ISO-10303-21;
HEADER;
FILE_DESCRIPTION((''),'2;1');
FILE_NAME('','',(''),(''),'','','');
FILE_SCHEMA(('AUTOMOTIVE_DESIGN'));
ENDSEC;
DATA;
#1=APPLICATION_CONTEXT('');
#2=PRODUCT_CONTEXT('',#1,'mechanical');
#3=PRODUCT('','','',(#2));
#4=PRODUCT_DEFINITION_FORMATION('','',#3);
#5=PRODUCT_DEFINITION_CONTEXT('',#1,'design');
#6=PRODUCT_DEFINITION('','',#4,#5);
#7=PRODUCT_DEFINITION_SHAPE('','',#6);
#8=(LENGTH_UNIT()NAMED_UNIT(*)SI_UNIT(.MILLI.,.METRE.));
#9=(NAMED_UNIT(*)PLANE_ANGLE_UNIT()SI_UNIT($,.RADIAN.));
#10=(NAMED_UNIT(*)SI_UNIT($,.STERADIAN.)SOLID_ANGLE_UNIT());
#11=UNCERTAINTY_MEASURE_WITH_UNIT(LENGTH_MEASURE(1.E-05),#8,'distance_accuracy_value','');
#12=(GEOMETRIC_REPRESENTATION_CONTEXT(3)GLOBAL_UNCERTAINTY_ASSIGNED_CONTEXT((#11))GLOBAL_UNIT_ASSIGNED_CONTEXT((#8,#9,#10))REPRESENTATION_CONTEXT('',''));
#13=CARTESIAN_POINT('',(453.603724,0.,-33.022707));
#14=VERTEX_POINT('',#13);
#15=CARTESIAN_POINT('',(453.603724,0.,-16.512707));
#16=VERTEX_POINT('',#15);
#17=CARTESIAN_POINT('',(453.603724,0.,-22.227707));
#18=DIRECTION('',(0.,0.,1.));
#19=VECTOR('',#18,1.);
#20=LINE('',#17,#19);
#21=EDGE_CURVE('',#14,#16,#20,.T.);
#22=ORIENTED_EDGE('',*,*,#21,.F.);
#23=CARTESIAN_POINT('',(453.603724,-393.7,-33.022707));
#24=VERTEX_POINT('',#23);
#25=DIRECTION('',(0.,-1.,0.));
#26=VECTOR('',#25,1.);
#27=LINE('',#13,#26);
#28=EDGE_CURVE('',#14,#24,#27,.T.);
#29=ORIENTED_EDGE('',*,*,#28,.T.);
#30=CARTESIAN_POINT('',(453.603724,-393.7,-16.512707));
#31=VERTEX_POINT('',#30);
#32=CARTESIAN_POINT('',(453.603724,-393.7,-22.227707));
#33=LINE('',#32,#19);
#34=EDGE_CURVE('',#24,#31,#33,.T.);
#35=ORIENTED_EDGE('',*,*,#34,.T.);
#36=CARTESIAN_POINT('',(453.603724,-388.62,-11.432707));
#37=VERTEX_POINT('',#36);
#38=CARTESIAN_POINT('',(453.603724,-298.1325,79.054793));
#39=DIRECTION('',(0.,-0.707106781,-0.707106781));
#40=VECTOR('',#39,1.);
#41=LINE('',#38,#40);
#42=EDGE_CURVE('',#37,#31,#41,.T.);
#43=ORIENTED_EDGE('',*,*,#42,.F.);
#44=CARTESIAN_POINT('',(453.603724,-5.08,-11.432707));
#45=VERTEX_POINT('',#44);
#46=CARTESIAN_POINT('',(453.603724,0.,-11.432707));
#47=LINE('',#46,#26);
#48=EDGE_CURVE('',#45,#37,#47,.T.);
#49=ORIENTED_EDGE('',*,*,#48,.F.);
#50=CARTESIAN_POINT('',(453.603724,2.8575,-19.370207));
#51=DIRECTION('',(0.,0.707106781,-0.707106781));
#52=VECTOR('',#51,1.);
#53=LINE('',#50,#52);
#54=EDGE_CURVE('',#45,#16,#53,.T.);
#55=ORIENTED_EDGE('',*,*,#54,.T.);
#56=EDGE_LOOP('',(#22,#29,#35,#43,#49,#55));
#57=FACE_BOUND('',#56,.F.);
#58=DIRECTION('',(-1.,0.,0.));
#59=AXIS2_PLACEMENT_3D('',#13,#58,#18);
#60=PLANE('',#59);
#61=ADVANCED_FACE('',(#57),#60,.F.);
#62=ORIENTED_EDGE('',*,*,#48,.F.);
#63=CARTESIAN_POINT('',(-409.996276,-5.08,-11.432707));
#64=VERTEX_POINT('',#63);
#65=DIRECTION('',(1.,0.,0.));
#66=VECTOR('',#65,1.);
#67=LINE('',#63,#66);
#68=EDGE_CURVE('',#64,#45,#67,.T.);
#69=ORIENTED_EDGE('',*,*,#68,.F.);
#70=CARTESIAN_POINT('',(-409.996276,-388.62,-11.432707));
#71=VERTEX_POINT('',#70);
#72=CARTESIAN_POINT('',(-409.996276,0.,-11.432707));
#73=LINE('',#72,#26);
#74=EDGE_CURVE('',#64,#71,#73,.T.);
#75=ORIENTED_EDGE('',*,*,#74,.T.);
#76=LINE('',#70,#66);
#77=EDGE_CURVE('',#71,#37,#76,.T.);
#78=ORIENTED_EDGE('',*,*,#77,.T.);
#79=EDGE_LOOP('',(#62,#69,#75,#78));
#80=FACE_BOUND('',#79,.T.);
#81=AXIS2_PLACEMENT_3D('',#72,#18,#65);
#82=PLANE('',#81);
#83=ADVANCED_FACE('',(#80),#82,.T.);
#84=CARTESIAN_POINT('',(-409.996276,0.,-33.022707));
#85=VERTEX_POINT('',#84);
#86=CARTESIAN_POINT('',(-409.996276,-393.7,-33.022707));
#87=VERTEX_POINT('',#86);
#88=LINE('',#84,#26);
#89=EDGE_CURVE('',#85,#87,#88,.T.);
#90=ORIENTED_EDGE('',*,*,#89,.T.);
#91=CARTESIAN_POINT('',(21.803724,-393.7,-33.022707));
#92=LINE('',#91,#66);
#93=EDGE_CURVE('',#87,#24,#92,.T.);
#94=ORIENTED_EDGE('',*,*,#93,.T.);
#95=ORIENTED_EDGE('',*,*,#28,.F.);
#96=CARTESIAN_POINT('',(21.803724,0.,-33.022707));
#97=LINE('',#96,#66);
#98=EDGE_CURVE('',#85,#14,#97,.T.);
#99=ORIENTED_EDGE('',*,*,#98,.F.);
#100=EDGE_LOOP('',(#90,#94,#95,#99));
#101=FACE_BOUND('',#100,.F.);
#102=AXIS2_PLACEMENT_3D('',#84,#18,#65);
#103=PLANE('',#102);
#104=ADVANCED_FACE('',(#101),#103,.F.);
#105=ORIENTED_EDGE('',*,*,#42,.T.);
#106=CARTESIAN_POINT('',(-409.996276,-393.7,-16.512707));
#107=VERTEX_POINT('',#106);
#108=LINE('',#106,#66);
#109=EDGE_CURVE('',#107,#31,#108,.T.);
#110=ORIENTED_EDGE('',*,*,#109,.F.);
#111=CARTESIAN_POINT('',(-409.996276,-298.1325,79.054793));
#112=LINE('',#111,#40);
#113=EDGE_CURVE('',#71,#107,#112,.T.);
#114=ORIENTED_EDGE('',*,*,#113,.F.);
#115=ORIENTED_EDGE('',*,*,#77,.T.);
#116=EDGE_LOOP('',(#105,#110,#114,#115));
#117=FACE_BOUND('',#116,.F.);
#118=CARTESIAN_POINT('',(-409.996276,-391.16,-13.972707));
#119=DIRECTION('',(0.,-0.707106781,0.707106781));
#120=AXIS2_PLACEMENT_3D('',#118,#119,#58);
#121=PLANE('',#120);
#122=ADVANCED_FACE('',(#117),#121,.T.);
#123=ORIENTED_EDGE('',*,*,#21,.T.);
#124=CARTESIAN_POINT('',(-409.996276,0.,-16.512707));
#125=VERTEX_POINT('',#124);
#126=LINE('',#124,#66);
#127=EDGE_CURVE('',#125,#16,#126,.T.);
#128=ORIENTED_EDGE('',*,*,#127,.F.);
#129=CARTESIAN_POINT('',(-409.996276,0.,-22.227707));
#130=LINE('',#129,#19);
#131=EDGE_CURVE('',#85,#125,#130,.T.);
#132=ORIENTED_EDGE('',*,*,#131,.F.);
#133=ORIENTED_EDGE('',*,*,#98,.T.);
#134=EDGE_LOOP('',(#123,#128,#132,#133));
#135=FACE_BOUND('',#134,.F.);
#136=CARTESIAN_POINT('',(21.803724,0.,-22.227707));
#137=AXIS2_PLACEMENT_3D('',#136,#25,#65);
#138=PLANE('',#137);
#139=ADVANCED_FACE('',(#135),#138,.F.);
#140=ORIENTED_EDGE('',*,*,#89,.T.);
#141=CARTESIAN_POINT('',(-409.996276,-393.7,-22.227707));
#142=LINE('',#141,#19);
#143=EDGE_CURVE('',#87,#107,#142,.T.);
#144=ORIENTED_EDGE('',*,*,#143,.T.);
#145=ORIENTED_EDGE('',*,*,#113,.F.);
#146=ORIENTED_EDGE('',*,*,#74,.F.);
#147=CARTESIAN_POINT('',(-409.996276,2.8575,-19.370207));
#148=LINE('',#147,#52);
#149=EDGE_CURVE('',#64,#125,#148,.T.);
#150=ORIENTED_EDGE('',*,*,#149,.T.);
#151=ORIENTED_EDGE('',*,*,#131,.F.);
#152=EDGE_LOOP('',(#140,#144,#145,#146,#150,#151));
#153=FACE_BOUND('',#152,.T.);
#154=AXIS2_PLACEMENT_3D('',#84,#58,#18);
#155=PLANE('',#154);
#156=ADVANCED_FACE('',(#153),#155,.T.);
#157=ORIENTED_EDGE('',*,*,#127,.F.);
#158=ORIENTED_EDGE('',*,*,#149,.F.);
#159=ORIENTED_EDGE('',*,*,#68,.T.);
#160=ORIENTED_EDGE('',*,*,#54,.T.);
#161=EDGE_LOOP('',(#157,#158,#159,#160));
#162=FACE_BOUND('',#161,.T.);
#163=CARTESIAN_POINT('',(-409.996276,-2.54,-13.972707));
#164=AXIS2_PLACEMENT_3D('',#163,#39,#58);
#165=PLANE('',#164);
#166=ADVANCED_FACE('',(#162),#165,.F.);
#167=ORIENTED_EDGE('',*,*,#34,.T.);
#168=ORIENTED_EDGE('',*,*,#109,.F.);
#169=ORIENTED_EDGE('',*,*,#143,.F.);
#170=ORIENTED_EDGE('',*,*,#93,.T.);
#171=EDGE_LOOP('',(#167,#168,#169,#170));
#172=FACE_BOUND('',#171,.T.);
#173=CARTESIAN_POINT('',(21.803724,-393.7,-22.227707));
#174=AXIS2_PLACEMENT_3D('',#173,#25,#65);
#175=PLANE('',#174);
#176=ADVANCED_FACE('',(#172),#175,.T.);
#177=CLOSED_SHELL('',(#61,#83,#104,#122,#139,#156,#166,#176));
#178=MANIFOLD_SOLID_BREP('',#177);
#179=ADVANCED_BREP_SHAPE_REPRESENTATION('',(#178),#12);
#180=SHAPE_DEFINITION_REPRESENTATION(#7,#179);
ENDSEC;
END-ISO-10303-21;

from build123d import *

# Parameters (mm, degrees)
F0_W     = 863.6
F0_H     = 21.59
F1_DEPTH = 393.7
F2_SIZE  = 5.08


with BuildPart() as f1:
    # F0 (on Front) → F1 (new body)
    with BuildSketch(Plane.XZ):
        with Locations((21.803724, -22.227707)):
            Rectangle(F0_W, F0_H)
    extrude(amount=F1_DEPTH)

    # F2
    f2_edges = [f1.edges().sort_by_distance(p)[0] for p in [
        (21.803724, -393.7, -11.432707),
        (21.803724, 0, -11.432707),
    ]]
    chamfer(f2_edges, length=F2_SIZE)


solid = f1.part
